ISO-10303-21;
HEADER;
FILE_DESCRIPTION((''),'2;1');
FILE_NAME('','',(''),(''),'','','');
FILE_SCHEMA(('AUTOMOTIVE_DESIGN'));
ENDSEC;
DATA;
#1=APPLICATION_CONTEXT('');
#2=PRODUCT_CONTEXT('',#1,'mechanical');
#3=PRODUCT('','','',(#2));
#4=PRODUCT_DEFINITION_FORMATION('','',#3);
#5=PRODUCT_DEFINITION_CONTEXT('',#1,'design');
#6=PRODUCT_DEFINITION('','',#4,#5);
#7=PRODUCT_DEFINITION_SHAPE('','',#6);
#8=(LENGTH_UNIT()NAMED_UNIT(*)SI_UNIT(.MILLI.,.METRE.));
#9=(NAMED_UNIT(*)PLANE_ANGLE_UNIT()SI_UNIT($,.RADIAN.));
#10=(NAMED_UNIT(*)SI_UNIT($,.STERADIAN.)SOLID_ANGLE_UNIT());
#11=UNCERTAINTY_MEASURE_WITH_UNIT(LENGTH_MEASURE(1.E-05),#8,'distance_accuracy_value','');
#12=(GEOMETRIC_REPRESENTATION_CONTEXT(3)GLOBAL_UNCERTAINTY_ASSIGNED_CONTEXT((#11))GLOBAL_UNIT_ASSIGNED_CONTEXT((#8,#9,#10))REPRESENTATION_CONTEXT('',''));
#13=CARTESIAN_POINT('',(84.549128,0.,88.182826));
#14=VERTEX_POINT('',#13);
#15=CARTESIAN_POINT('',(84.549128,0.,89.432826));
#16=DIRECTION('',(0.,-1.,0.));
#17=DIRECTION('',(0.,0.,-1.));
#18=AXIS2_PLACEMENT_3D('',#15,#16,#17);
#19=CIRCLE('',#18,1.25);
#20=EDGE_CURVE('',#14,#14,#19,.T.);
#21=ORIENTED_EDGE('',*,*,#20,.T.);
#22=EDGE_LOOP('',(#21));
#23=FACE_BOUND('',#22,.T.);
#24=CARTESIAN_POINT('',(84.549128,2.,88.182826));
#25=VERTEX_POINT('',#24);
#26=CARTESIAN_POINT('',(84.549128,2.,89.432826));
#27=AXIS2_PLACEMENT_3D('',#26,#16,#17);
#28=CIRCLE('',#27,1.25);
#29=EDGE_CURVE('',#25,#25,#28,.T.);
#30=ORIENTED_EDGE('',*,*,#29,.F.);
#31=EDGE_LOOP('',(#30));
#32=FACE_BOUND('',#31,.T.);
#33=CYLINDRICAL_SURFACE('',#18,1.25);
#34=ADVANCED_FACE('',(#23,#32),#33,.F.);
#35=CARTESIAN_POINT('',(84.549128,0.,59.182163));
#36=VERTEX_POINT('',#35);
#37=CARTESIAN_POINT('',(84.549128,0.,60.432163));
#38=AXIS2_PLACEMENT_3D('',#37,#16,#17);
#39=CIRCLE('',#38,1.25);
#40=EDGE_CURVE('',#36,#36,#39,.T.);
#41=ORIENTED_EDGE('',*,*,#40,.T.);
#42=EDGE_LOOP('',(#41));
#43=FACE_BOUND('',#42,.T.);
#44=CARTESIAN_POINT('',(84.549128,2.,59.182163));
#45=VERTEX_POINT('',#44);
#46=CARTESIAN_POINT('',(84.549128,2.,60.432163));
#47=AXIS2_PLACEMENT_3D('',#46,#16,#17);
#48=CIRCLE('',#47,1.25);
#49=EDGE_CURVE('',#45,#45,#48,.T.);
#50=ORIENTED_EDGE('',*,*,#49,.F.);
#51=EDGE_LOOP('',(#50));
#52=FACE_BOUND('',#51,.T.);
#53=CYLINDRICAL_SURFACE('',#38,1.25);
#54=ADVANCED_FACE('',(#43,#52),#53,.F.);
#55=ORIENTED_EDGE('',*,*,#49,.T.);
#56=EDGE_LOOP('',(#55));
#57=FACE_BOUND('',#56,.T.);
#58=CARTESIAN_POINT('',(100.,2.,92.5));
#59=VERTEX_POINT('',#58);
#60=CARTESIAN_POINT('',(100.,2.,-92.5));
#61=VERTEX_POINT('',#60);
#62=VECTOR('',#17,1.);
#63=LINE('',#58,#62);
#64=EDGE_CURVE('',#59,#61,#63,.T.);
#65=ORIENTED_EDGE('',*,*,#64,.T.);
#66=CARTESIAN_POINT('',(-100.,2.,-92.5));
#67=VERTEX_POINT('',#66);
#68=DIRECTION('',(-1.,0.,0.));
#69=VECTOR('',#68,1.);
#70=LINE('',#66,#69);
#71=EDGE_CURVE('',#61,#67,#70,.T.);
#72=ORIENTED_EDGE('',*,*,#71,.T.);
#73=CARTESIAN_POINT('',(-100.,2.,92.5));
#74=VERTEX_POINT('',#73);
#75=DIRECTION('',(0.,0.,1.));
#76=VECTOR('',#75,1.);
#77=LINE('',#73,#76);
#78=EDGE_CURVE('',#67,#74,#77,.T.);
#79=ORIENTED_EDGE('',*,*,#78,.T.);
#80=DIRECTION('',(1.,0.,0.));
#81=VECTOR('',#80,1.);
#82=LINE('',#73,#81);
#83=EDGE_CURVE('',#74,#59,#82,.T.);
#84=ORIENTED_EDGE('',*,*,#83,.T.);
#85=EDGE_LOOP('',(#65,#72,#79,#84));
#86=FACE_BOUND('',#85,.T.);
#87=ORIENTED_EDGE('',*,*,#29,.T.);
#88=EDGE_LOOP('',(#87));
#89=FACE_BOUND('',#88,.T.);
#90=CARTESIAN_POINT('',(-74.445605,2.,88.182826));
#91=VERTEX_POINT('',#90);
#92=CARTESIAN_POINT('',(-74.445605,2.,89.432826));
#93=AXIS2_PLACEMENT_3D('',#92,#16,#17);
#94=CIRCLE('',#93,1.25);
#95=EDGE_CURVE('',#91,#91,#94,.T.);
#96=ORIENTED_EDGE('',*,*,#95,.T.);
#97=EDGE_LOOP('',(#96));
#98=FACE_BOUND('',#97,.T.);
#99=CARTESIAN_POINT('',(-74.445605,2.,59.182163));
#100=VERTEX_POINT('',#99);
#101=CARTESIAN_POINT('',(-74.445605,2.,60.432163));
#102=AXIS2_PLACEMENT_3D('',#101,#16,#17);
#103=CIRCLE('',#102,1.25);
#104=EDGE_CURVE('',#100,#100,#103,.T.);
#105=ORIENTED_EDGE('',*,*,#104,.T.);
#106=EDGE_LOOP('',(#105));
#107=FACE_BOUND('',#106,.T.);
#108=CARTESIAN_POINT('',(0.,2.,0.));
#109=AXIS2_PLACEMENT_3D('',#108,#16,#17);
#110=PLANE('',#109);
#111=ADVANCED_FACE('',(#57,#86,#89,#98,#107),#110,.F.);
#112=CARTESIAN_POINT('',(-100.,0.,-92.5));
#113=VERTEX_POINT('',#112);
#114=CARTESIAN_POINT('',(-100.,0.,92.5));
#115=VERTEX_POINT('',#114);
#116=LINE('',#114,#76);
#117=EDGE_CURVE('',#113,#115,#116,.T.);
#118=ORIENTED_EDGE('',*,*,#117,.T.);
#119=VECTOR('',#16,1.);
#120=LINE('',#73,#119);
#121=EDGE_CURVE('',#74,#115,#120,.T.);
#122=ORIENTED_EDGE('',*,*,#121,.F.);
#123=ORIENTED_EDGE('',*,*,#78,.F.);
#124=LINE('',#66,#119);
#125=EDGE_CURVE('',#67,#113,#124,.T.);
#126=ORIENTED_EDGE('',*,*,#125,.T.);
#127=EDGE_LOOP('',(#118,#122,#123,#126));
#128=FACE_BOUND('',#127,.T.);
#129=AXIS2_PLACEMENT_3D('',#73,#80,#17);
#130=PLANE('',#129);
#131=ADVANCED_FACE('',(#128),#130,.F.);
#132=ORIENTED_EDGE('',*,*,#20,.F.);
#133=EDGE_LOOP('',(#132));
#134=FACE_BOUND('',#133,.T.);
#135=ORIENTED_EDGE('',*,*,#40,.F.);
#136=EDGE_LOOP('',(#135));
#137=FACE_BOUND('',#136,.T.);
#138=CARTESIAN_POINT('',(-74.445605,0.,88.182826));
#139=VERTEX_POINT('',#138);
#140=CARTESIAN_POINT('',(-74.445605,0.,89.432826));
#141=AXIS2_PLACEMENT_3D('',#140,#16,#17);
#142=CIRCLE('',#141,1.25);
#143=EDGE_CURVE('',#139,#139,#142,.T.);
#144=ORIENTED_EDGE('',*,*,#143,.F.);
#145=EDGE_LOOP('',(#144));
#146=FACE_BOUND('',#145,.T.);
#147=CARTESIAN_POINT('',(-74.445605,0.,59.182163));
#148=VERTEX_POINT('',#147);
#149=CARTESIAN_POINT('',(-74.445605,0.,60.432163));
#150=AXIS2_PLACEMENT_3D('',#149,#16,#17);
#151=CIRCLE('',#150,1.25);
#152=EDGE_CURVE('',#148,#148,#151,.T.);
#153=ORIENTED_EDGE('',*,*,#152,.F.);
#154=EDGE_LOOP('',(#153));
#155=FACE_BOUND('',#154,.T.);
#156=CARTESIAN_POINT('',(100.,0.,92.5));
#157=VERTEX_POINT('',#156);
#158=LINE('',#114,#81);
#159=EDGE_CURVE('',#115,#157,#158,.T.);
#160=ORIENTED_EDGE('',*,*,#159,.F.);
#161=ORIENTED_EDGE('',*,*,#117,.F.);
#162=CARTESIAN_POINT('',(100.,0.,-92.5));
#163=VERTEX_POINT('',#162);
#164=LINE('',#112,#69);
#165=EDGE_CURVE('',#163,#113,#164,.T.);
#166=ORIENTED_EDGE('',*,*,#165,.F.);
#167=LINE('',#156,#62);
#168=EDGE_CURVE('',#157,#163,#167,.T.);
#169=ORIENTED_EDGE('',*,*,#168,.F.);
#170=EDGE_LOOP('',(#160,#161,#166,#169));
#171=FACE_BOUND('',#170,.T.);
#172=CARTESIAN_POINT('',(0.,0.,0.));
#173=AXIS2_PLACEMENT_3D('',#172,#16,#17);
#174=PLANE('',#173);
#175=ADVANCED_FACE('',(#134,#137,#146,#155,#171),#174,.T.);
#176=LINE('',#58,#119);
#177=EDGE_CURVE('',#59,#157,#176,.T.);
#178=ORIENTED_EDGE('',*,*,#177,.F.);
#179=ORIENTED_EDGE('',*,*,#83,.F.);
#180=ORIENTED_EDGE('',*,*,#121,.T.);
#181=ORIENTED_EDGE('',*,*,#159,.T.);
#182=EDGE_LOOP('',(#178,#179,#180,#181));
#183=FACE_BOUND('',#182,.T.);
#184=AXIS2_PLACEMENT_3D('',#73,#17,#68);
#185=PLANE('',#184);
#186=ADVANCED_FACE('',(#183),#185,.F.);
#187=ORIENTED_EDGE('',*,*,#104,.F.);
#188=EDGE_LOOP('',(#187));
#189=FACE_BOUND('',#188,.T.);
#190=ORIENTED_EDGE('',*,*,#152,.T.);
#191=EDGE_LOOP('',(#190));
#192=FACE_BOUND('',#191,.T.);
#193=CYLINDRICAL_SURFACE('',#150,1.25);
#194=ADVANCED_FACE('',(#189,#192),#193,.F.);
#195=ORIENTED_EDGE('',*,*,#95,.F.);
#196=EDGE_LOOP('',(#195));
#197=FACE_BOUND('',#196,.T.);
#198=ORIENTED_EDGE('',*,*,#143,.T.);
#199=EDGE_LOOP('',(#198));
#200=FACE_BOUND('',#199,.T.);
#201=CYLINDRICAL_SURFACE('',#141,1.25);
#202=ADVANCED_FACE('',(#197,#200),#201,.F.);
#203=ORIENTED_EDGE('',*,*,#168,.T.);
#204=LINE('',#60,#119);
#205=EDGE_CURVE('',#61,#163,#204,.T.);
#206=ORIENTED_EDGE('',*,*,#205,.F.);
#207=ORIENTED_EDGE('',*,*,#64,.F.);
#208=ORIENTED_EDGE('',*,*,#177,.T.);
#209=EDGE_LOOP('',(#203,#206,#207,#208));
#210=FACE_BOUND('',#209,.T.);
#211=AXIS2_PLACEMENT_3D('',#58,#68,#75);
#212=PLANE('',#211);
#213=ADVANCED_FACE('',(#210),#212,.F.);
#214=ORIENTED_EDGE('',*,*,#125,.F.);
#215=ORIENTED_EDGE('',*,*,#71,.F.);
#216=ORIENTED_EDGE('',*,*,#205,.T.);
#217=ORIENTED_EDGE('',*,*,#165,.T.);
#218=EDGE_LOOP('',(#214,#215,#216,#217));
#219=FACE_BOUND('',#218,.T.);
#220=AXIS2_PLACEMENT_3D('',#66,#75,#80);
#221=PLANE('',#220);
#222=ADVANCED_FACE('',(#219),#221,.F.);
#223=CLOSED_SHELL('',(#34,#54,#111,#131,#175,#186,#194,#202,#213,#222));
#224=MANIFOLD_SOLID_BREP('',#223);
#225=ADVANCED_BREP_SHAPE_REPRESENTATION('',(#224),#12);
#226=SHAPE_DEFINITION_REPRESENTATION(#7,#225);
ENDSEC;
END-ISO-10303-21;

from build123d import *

# Parameters (mm, degrees)
SKETCH_1_W      = 200
SKETCH_1_H      = 185
EXTRUDE_1_DEPTH = 2
MM_D            = 2.5
MM_DEPTH        = 2
MM_TIP          = 0.751075774


with BuildPart() as part:
    # 草图1 → 凸台-拉伸1 (new body)
    with BuildSketch(Plane(origin=(0, 0, 0), x_dir=(1, 0, 0), z_dir=(0, 1, 0))):
        Rectangle(SKETCH_1_W, SKETCH_1_H)
    extrude(amount=EXTRUDE_1_DEPTH)

    # mm
    with Locations(Plane(origin=(-57.339436311, 0, -271.399294752), x_dir=(-1, 0, 0), z_dir=(0, -1, 0))):
        with Locations((-141.888564343, -331.831457961), (-141.888564343, -360.832120302), (17.106168369, -360.832120302), (17.106168369, -331.831457961)):
            Hole(MM_D / 2, depth=MM_DEPTH)
            with Locations((0, 0, -(MM_DEPTH + MM_TIP / 2))):  # 118° drill point
                Cone(0, MM_D / 2, MM_TIP, mode=Mode.SUBTRACT)


solid = part.part
